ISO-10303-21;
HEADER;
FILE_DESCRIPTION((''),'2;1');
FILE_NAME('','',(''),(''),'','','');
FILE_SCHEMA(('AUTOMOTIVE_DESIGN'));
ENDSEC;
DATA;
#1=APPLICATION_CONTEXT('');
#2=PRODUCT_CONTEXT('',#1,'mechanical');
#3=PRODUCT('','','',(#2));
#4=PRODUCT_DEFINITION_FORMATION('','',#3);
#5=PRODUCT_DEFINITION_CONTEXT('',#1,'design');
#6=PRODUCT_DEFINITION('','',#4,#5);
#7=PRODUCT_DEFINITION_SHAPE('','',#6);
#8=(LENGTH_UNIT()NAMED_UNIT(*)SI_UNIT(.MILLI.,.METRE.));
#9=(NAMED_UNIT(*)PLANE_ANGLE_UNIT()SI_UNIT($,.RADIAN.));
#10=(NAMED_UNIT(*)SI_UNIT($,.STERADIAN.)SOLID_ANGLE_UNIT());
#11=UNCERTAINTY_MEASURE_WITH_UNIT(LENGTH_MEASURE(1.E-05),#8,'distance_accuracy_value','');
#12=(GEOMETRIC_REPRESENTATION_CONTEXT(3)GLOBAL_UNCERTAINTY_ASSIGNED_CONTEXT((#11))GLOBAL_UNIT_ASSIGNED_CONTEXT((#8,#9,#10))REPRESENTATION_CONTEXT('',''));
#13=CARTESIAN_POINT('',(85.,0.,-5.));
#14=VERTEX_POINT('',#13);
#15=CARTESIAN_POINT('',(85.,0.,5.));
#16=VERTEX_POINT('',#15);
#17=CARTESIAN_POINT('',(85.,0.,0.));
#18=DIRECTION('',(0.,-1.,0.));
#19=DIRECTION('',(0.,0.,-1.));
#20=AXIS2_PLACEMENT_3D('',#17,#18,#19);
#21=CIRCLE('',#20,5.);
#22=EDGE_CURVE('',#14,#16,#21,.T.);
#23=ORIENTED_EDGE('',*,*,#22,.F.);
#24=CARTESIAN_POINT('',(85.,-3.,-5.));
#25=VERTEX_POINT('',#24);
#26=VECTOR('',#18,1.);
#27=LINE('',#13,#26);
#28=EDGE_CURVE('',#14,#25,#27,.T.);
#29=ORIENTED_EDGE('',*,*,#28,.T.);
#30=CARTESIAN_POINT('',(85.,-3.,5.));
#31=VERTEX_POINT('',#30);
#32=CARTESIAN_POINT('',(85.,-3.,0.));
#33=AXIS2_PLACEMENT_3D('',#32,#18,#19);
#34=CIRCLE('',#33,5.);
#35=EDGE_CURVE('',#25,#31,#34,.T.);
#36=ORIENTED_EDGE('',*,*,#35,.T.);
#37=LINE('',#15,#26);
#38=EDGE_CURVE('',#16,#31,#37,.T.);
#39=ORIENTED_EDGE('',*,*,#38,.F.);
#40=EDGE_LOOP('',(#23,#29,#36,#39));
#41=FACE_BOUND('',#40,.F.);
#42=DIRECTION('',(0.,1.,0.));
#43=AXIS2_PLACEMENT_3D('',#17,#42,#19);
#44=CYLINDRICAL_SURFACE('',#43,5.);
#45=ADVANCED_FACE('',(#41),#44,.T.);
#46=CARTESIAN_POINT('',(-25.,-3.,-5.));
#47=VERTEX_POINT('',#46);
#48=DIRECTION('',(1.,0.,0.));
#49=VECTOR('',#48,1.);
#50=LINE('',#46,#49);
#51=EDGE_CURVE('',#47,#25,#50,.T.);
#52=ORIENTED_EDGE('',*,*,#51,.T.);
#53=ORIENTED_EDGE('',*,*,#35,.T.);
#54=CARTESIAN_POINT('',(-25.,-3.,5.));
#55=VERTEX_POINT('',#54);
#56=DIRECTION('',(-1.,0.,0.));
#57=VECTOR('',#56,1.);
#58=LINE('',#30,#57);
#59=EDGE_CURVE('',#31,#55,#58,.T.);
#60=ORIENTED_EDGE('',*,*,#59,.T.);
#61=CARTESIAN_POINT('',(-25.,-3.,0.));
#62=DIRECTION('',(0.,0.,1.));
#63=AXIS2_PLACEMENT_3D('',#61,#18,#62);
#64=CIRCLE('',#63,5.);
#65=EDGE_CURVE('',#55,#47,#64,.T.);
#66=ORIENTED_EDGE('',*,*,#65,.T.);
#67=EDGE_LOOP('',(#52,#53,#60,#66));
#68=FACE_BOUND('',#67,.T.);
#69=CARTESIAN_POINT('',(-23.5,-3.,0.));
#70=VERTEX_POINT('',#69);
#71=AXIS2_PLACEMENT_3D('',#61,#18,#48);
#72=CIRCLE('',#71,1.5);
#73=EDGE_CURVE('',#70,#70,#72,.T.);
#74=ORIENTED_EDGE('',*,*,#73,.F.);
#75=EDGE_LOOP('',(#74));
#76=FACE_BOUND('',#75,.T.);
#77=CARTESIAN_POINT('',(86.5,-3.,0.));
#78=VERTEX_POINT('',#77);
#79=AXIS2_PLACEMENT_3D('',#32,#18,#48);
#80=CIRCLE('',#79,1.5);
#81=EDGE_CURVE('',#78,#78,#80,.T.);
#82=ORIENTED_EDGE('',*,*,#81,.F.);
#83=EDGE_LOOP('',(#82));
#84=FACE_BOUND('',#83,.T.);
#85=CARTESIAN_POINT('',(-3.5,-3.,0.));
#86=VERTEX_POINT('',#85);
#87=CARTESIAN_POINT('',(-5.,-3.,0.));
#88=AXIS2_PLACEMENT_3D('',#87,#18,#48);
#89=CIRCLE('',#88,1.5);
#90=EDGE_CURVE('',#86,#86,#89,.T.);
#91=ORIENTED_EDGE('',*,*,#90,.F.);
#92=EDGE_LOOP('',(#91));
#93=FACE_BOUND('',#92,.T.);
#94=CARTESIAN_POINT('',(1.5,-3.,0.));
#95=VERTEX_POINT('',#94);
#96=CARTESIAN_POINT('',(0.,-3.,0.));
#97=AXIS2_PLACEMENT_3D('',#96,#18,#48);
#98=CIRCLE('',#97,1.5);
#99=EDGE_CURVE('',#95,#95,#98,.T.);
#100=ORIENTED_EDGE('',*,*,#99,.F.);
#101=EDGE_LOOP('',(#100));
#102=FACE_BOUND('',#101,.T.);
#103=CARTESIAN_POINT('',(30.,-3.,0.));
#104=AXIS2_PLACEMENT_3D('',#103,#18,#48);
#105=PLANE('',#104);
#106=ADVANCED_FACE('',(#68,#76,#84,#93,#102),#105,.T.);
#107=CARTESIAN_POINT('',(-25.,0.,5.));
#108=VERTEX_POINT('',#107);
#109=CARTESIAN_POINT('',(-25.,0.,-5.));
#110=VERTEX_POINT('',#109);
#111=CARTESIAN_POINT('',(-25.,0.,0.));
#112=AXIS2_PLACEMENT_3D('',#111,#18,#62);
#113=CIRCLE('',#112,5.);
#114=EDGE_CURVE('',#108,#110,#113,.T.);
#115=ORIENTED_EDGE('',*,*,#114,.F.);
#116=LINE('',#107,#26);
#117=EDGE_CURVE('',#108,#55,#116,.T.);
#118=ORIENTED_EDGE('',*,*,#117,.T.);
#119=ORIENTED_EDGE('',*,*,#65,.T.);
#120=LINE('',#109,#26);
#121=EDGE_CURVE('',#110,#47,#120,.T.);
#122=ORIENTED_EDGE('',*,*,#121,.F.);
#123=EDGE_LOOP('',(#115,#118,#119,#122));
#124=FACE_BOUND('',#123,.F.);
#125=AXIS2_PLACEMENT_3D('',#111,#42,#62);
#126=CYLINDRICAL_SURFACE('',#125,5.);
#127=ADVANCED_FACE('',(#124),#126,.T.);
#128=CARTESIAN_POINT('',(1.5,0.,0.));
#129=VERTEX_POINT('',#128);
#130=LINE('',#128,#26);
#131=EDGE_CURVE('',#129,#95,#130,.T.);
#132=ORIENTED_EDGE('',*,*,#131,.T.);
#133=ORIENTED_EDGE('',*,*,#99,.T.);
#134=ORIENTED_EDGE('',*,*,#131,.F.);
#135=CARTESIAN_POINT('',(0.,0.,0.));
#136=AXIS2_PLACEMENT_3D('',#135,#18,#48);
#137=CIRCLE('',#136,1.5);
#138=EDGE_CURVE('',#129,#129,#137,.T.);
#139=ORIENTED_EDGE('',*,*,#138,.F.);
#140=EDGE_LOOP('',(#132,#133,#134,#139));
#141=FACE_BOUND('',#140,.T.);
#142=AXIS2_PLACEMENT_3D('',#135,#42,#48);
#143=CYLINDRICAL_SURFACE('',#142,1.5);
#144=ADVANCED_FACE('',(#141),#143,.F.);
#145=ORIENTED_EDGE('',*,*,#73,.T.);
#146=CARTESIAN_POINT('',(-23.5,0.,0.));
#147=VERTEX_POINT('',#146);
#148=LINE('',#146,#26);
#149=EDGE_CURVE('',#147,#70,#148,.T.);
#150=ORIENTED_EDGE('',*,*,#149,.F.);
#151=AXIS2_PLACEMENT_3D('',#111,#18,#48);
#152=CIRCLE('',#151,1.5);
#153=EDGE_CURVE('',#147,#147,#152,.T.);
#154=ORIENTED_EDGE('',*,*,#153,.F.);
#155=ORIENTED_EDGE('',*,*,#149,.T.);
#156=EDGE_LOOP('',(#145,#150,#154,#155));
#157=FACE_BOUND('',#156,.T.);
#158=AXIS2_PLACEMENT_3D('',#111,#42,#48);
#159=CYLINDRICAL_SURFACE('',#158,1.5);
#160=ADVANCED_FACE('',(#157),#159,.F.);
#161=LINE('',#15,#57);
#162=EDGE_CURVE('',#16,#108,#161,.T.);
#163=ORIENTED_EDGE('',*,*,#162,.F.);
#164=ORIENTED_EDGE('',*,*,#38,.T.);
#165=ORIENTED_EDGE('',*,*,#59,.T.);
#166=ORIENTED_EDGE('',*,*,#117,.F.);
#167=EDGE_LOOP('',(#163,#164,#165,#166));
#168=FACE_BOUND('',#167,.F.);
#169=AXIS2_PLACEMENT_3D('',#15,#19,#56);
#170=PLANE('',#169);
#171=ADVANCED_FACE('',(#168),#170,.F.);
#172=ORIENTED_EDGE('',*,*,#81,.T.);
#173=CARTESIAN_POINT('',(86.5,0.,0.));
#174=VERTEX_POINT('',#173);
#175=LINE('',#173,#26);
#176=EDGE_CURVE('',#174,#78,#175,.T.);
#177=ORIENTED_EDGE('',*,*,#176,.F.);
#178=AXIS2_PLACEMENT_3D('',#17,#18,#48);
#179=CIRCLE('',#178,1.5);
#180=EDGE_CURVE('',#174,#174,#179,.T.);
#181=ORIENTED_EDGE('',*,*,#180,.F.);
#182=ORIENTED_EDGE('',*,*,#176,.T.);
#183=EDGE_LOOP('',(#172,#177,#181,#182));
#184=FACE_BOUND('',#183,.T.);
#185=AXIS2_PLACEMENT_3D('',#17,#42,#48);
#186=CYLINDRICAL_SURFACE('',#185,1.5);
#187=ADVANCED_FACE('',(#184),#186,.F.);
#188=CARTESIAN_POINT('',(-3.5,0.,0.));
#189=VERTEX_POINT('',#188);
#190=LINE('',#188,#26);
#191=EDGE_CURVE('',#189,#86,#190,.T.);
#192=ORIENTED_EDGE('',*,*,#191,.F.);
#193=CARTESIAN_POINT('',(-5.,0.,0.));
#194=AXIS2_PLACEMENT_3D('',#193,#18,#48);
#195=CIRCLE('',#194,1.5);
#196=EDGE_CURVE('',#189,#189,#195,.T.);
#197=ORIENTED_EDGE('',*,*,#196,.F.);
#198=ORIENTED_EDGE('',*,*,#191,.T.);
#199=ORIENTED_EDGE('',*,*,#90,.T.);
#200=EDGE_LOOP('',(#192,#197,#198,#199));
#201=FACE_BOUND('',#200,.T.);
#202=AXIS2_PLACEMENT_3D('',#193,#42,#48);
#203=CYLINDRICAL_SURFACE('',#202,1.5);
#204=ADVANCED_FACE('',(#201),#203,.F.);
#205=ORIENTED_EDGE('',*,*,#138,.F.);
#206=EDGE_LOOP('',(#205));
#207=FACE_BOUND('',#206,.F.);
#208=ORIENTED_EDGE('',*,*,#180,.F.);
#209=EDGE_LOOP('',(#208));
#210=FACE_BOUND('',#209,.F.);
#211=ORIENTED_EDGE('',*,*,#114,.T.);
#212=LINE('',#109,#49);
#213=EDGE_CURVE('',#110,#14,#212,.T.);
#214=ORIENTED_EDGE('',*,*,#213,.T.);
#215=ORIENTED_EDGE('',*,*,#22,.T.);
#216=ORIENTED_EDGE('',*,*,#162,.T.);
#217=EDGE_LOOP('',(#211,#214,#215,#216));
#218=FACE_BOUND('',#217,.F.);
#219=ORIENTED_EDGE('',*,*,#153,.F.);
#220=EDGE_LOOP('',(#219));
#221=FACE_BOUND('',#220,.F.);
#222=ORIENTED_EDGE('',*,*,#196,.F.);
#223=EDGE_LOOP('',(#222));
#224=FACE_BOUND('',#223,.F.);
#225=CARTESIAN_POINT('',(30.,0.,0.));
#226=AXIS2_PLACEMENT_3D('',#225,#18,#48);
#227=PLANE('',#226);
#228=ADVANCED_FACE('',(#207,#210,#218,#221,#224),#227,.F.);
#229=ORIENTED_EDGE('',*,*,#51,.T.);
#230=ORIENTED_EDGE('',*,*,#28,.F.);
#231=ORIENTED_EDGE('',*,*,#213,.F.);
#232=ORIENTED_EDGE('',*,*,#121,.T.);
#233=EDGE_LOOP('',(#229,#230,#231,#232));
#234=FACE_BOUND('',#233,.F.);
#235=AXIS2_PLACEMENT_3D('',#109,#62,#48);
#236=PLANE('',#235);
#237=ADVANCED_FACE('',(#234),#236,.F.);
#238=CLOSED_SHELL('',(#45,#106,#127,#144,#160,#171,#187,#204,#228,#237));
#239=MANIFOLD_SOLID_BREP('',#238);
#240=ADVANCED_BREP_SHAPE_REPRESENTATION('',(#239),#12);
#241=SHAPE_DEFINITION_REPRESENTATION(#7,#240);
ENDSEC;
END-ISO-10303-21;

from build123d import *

# Parameters (mm, degrees)
F0_R     = 1.5
F1_DEPTH = 3


with BuildPart() as f1:
    # F0 (on Front) → F1 (new body)
    with BuildSketch(Plane.XZ):
        with BuildLine():
            Line((85, 5), (-25, 5))
            ThreePointArc((-25, 5), (-30, 0), (-25, -5))
            Line((-25, -5), (85, -5))
            ThreePointArc((85, -5), (90, 0), (85, 5))
        make_face()
        with Locations((-25, 0)):
            Circle(F0_R, mode=Mode.SUBTRACT)
        with Locations((-5, 0)):
            Circle(F0_R, mode=Mode.SUBTRACT)
        Circle(F0_R, mode=Mode.SUBTRACT)
        with Locations((85, 0)):
            Circle(F0_R, mode=Mode.SUBTRACT)
    extrude(amount=F1_DEPTH)


solid = f1.part
